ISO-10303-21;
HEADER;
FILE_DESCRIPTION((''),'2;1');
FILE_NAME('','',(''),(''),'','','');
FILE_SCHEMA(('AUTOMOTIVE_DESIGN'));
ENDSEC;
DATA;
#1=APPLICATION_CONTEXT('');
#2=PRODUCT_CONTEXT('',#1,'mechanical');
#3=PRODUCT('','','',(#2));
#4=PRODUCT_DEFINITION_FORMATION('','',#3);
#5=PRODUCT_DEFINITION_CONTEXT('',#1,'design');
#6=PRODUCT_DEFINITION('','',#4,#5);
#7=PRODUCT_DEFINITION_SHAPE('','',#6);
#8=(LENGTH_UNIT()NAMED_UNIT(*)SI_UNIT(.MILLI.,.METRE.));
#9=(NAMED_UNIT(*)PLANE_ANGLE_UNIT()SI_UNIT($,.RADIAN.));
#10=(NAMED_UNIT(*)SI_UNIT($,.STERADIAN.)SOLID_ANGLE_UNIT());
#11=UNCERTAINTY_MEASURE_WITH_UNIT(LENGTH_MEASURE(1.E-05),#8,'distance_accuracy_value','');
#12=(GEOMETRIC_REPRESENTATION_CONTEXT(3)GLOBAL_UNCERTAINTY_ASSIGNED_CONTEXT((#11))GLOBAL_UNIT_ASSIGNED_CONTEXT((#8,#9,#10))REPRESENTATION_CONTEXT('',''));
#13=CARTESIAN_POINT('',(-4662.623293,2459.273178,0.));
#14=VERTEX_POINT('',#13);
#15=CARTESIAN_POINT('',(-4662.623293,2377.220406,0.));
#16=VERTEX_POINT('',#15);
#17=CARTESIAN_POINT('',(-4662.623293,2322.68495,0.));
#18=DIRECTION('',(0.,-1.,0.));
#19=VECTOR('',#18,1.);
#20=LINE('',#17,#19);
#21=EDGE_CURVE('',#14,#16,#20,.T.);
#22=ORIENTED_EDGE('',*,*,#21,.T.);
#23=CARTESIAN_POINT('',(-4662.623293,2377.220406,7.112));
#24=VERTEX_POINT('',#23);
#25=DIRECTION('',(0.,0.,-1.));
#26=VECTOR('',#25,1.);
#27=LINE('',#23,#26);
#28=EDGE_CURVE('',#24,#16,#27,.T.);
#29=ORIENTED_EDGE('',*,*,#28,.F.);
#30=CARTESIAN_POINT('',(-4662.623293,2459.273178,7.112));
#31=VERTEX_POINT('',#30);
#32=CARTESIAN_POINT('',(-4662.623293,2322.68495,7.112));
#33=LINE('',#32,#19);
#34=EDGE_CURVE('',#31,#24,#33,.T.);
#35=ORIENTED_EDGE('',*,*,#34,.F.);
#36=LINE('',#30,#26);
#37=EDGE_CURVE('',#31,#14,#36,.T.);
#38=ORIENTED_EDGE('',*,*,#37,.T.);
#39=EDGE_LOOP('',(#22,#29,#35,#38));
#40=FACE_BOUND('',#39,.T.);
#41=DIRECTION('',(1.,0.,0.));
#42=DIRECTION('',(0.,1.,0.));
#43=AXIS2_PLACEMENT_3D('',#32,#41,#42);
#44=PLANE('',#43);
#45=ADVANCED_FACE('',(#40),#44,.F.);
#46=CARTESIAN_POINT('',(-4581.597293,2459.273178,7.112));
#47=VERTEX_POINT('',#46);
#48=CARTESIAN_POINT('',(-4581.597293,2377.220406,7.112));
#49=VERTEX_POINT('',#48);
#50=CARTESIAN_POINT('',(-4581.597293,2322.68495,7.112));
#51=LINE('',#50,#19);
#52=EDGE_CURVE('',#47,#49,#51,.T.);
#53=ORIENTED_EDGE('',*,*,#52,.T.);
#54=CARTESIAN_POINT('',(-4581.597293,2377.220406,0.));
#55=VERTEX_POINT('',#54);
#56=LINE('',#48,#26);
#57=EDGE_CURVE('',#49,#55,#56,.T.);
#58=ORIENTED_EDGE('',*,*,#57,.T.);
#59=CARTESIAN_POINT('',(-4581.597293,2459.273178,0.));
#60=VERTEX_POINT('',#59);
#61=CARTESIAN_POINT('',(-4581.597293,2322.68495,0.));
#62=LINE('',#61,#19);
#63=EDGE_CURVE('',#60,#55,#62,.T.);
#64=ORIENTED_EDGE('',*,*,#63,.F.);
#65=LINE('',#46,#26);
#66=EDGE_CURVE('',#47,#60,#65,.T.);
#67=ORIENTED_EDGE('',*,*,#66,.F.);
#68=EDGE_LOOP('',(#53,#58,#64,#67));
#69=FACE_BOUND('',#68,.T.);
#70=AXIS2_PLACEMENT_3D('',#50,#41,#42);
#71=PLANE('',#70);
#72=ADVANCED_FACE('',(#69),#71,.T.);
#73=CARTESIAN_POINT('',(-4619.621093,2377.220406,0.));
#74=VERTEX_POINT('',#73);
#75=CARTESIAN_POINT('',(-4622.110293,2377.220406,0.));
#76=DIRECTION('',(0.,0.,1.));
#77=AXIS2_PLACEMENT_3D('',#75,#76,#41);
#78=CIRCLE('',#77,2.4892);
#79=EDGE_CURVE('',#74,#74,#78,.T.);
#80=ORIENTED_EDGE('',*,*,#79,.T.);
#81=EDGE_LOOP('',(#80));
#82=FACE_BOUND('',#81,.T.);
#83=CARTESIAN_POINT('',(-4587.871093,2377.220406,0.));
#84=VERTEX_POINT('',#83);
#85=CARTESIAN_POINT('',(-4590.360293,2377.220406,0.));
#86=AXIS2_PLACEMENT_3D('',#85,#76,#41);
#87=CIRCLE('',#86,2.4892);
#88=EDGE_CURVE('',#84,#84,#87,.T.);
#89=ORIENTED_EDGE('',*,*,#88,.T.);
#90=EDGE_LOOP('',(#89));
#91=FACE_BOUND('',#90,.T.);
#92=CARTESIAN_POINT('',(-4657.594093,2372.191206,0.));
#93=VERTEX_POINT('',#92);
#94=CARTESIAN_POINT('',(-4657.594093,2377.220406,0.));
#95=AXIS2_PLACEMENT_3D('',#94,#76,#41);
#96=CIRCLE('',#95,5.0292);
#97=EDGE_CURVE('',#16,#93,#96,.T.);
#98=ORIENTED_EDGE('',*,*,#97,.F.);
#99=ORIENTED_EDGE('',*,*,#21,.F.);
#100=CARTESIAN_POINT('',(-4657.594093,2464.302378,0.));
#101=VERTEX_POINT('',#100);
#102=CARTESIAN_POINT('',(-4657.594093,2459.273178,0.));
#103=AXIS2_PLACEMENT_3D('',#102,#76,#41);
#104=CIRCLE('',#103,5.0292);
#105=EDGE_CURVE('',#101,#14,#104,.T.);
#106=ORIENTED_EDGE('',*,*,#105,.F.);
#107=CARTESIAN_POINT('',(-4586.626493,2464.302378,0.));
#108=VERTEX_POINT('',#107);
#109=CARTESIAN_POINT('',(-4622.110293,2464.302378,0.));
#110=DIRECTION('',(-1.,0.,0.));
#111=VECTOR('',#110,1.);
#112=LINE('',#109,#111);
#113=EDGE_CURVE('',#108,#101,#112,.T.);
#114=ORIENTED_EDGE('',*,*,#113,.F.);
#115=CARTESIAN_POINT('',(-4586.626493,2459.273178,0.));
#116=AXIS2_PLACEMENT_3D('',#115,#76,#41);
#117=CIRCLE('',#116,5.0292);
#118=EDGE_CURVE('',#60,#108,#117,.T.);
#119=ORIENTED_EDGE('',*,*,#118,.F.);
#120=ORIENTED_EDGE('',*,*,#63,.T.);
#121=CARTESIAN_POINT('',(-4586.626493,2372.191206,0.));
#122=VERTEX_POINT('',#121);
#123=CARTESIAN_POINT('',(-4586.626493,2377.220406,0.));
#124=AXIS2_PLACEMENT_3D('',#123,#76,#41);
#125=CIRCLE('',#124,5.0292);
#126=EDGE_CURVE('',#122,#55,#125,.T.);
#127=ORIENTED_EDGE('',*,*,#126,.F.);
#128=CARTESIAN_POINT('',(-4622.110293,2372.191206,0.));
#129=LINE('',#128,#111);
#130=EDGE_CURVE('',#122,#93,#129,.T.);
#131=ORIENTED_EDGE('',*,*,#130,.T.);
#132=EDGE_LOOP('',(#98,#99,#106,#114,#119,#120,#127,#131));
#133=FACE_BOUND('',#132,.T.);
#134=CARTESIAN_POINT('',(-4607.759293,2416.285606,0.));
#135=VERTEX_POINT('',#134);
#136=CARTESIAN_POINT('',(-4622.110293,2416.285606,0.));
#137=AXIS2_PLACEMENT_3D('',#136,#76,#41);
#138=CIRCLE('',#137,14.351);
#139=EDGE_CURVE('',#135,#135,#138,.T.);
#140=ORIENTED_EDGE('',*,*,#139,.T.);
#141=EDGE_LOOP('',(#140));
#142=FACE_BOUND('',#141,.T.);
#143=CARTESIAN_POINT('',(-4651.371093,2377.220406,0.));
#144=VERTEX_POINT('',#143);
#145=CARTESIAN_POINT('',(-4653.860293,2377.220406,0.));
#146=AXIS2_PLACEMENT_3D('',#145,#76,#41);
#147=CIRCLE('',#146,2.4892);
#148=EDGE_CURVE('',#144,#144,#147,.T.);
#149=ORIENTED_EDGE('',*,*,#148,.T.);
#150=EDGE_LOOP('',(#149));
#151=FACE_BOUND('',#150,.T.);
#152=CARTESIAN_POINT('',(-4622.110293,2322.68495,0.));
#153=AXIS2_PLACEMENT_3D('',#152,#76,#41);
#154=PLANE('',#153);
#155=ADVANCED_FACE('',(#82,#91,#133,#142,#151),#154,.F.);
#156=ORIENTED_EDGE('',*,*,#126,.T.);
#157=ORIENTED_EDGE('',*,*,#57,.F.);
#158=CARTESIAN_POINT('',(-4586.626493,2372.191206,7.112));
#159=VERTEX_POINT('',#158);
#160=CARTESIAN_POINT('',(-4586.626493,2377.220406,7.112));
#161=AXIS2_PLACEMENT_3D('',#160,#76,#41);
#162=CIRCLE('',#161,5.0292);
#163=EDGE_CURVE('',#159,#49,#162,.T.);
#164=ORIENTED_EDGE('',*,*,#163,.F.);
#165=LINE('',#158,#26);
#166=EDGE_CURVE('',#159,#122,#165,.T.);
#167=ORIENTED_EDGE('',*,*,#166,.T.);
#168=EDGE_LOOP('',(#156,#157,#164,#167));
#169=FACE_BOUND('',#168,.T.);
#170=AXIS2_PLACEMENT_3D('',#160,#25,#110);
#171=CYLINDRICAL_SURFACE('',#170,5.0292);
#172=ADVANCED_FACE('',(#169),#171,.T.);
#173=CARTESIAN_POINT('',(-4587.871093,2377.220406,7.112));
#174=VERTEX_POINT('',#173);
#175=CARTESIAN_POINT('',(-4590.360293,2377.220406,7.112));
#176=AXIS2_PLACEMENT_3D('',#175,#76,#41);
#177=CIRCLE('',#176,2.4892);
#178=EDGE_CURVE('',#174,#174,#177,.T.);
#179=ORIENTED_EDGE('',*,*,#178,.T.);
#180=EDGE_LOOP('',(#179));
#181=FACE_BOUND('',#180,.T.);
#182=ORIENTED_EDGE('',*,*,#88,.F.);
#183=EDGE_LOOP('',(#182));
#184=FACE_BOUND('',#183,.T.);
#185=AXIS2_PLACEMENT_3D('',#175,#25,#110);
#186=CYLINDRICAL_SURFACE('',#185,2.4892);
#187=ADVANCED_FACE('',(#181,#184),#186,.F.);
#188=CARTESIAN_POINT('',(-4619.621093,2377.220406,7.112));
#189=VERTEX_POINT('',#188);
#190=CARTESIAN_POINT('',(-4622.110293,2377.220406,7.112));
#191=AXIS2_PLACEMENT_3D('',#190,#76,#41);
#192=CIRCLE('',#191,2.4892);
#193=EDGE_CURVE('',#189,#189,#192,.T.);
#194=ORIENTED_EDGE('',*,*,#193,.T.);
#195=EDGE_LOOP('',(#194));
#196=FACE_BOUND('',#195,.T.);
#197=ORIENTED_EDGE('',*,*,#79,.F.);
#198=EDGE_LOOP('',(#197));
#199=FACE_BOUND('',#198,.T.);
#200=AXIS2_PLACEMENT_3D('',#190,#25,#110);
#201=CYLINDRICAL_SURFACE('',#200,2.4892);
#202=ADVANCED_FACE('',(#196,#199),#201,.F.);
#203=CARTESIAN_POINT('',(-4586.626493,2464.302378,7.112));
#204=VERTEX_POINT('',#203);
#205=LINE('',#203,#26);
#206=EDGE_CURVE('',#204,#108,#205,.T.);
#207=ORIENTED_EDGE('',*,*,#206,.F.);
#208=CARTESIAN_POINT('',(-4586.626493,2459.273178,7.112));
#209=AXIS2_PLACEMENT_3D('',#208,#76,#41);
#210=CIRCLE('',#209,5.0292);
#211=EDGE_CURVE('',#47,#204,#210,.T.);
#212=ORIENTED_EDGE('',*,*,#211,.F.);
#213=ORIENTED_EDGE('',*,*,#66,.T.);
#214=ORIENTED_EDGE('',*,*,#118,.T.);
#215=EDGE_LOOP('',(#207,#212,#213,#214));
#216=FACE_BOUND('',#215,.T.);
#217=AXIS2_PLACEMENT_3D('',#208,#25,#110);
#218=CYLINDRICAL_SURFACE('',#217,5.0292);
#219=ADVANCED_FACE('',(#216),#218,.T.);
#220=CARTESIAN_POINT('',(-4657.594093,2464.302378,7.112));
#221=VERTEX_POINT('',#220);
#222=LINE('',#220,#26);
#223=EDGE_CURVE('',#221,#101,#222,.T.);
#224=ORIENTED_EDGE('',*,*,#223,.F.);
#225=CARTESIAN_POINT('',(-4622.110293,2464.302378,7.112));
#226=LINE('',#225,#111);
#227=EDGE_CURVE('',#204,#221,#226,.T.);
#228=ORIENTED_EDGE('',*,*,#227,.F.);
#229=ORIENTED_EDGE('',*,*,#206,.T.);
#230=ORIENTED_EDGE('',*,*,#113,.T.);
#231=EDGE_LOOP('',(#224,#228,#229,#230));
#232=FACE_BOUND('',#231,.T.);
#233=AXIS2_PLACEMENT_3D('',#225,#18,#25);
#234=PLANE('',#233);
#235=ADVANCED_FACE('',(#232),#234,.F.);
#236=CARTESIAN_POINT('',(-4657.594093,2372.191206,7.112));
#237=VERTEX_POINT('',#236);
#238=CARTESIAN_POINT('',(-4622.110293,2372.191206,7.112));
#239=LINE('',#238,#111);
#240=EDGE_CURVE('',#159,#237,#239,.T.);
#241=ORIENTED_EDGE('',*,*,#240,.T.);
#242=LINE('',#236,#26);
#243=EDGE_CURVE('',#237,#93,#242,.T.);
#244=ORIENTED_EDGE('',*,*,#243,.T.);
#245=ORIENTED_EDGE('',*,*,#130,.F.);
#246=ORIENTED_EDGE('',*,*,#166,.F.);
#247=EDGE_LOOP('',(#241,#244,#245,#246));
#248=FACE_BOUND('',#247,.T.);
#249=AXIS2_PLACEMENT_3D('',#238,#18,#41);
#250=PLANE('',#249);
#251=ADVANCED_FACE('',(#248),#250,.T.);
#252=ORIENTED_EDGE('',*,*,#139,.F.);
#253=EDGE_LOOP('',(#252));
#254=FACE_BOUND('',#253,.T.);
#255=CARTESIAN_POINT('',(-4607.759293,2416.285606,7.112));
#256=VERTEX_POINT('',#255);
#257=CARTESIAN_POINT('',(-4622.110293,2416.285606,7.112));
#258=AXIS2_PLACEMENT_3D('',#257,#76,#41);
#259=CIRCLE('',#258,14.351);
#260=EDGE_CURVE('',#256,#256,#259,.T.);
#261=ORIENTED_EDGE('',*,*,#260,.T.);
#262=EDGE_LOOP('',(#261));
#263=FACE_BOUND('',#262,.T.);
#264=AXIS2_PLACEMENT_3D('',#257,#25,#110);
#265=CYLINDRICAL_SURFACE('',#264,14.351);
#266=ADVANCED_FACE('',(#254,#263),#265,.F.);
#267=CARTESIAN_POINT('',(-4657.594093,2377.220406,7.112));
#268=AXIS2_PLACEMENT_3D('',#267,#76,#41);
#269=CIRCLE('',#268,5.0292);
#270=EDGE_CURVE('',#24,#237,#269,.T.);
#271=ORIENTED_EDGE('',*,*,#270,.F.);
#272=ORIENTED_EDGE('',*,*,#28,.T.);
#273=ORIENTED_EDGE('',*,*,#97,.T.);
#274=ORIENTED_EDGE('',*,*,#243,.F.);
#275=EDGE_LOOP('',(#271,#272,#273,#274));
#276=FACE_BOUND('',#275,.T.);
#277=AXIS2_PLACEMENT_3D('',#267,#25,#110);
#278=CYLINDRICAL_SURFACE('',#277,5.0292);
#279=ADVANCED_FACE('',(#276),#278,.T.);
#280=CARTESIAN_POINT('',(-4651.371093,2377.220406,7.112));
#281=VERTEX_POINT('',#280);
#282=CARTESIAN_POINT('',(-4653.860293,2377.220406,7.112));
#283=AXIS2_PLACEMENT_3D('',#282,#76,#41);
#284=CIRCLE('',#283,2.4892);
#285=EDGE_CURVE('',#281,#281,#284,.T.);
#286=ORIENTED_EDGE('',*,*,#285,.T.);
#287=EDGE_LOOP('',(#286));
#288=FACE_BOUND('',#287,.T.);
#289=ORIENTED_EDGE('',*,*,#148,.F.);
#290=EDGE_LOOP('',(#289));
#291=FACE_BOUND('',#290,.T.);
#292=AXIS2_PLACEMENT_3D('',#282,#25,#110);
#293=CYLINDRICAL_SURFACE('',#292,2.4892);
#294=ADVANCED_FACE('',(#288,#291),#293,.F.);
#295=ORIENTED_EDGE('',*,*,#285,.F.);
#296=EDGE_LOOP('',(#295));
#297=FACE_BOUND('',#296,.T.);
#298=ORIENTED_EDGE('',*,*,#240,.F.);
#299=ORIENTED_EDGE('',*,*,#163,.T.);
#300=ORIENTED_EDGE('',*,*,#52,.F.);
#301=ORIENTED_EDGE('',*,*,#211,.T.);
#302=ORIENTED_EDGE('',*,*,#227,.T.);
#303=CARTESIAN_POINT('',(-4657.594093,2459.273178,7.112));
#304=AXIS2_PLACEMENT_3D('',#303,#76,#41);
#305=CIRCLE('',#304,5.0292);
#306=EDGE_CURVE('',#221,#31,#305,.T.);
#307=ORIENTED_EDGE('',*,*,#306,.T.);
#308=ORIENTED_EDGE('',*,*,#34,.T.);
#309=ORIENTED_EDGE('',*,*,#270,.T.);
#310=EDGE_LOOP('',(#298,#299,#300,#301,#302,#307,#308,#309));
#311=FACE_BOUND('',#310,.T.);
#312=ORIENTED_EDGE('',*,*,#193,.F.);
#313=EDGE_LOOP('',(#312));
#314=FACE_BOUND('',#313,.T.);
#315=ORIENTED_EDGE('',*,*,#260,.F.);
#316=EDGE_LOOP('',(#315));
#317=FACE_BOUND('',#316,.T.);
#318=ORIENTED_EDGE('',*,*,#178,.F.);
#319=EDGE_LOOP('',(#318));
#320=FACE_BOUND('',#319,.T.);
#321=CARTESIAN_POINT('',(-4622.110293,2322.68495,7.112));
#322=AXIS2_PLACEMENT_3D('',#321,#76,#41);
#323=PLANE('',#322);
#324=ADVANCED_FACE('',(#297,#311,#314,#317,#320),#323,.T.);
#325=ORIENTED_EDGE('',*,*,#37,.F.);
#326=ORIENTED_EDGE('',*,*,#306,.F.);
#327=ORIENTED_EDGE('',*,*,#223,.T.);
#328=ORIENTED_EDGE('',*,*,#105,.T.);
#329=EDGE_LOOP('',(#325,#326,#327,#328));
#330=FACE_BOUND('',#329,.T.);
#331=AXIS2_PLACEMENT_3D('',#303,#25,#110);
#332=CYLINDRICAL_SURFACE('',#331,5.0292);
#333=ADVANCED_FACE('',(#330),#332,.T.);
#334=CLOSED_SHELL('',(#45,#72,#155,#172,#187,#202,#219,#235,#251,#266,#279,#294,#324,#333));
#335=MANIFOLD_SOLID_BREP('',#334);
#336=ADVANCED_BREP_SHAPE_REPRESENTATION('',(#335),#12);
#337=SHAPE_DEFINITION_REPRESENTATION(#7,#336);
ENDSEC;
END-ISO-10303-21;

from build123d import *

# Parameters (mm, degrees)
SKETCH1_R           = 2.4892
SKETCH1_R_2         = 14.351
BOSS_EXTRUDE1_DEPTH = 7.112


with BuildPart() as part:
    # Sketch1 → Boss-Extrude1 (new body)
    with BuildSketch(Plane.XY):
        with BuildLine():
            Line((-4581.597292992, 2459.273178096), (-4581.597292992, 2377.220406358))
            ThreePointArc((-4581.597292992, 2377.220406358), (-4583.070311568, 2373.664224934), (-4586.626492992, 2372.191206358))
            Line((-4586.626492992, 2372.191206358), (-4657.594092992, 2372.191206358))
            ThreePointArc((-4657.594092992, 2372.191206358), (-4661.150274416, 2373.664224934), (-4662.623292992, 2377.220406358))
            Line((-4662.623292992, 2377.220406358), (-4662.623292992, 2459.273178096))
            ThreePointArc((-4662.623292992, 2459.273178096), (-4661.150274416, 2462.82935952), (-4657.594092992, 2464.302378096))
            Line((-4657.594092992, 2464.302378096), (-4586.626492992, 2464.302378096))
            ThreePointArc((-4586.626492992, 2464.302378096), (-4583.070311568, 2462.82935952), (-4581.597292992, 2459.273178096))
        make_face()
        with Locations((-4653.860292992, 2377.220406358)):
            Circle(SKETCH1_R, mode=Mode.SUBTRACT)
        with Locations((-4590.360292992, 2377.220406358)):
            Circle(SKETCH1_R, mode=Mode.SUBTRACT)
        with Locations((-4622.110292992, 2416.285606358)):
            Circle(SKETCH1_R_2, mode=Mode.SUBTRACT)
        with Locations((-4622.110292992, 2377.220406358)):
            Circle(SKETCH1_R, mode=Mode.SUBTRACT)
    extrude(amount=BOSS_EXTRUDE1_DEPTH)


solid = part.part
